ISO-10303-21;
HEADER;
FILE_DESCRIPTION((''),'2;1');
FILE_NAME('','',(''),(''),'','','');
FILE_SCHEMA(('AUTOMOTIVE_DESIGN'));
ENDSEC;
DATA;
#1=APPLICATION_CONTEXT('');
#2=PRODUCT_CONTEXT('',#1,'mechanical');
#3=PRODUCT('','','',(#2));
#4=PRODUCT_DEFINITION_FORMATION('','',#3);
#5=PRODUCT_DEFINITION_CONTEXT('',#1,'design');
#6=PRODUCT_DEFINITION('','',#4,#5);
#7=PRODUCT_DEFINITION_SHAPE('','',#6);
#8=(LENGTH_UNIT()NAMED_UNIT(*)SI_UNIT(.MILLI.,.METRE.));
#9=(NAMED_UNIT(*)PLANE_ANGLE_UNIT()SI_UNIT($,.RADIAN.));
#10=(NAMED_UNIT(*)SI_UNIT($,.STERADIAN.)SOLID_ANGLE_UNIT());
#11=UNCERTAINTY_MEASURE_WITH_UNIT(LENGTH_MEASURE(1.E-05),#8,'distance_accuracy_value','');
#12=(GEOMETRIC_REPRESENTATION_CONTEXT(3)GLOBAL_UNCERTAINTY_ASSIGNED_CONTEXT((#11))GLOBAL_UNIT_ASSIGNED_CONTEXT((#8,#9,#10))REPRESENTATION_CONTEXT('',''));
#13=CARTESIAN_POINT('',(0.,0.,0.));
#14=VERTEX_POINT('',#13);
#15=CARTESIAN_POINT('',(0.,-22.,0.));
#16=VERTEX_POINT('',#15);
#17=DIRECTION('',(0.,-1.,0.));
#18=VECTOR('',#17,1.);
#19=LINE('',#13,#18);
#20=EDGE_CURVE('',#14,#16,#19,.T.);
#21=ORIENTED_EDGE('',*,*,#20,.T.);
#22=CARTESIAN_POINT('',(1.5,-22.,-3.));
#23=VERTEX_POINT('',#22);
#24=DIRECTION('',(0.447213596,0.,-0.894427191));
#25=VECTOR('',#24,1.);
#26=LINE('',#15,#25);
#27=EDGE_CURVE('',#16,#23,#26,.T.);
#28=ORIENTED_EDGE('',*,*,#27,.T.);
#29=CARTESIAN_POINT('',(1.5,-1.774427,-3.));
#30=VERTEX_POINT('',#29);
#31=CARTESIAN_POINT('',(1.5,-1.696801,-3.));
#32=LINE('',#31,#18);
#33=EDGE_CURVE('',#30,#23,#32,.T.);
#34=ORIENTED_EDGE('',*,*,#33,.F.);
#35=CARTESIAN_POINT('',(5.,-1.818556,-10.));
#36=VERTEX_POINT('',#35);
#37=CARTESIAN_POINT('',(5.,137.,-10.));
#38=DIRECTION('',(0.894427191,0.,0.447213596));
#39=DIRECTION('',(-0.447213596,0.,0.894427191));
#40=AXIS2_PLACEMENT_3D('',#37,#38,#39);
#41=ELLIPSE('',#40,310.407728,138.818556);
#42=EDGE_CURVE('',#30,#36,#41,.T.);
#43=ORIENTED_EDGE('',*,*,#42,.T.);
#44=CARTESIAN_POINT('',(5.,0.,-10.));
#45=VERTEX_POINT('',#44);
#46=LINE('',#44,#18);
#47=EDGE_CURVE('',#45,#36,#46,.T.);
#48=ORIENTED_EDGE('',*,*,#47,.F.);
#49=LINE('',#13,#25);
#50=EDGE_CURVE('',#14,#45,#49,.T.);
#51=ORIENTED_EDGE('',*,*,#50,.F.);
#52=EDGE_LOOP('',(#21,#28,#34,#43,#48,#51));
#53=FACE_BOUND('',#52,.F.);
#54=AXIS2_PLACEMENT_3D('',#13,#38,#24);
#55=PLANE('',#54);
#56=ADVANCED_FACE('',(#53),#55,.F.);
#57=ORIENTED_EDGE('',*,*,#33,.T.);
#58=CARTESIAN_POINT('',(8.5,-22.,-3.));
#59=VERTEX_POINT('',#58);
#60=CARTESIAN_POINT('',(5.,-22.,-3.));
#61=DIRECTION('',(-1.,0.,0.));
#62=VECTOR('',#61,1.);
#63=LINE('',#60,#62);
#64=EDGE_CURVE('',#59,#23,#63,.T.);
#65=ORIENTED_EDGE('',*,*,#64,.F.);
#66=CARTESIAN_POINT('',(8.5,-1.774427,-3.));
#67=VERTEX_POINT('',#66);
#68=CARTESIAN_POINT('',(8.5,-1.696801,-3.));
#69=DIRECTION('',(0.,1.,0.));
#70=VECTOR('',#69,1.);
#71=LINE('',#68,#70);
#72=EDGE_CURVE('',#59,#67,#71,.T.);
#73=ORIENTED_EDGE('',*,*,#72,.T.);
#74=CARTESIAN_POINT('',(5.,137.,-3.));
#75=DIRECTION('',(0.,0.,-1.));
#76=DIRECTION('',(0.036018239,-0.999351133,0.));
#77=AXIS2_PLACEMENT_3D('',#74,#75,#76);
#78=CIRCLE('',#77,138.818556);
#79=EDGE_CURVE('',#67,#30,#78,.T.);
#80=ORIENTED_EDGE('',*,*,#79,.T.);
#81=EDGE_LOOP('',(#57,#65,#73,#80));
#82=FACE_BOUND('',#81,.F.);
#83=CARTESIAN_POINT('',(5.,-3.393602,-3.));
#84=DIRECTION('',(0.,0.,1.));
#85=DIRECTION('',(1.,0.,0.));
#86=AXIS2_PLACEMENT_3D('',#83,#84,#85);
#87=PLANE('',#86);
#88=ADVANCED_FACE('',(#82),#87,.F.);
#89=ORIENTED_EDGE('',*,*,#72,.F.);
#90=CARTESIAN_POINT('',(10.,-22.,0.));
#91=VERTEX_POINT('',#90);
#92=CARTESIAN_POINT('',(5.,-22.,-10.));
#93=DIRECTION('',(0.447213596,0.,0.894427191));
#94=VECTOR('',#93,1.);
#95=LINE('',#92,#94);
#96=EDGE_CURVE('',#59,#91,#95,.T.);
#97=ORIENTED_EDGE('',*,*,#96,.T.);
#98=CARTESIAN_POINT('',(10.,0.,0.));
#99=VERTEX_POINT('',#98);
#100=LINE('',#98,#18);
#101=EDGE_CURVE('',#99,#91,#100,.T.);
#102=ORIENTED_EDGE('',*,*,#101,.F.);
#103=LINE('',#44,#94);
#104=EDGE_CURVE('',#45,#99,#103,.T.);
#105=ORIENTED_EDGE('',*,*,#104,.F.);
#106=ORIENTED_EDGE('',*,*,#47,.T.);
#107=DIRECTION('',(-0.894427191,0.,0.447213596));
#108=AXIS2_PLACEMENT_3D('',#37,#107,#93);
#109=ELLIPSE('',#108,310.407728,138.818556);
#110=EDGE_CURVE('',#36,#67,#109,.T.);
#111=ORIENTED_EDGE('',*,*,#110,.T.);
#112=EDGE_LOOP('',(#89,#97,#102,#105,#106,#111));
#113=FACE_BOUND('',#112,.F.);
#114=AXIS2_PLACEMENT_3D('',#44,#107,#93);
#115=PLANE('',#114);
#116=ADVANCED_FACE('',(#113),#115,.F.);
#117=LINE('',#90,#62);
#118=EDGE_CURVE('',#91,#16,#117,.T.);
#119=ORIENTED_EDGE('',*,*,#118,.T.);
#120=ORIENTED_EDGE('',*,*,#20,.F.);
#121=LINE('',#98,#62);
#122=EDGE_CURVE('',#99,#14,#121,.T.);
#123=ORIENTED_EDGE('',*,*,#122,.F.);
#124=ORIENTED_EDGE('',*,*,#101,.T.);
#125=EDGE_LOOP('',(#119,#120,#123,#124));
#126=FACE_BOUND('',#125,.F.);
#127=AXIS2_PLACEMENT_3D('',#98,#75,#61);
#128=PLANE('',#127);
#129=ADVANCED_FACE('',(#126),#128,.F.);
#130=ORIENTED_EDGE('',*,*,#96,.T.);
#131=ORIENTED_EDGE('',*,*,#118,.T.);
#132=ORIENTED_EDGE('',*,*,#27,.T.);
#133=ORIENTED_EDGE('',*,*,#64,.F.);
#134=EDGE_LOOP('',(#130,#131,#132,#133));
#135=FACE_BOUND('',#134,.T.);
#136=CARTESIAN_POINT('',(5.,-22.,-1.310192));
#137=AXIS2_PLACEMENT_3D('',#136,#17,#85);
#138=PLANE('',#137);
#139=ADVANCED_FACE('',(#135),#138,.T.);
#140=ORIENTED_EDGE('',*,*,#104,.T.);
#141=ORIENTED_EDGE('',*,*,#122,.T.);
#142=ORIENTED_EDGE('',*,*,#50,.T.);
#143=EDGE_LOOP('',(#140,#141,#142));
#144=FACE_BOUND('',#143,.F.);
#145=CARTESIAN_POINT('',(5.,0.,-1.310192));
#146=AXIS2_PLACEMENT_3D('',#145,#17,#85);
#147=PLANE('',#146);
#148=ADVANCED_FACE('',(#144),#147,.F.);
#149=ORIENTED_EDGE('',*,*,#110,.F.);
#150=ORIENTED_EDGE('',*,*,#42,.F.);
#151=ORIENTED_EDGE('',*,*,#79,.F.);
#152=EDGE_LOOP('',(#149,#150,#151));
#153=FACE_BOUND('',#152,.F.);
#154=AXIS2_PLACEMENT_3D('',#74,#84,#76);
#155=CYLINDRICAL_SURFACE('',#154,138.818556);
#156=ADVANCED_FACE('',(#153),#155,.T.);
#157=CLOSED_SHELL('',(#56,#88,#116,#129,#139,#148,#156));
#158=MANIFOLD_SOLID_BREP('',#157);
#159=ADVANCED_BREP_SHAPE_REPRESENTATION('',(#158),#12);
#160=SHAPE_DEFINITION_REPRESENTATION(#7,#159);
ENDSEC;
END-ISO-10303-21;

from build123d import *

# Parameters (mm, degrees)
F2_DEPTH = 22
F3_START = -3
F3_DEPTH = 7


with BuildPart() as f2:
    # F0 (on Front) → F2 (new body)
    with BuildSketch(Plane.XZ):
        Polygon((5, 0), (0, 0), (1.5, -3), (8.5, -3), (10, 0), align=None)
        Polygon((8.5, -3), (1.5, -3), (5, -10), align=None)
    extrude(amount=F2_DEPTH)

    # F1 (on Top) → F3 (cut)
    with BuildSketch(Plane.XY.offset(F3_START)):
        with BuildLine():
            ThreePointArc((10, -1.7284815374), (5, -1.8185563593), (0, -1.7284815374))
            Line((0, -1.7284815374), (0, -4.9790858825))
            ThreePointArc((0, -4.9790858825), (5, -5.0670997382), (10, -4.9790858825))
            Line((10, -4.9790858825), (10, -1.7284815374))
        make_face()
        with BuildLine():
            ThreePointArc((10, -4.9790858825), (5, -5.0670997382), (0, -4.9790858825))
            Line((0, -4.9790858825), (0, -23))
            Line((0, -23), (10, -23))
            Line((10, -23), (10, -4.9790858825))
        make_face()
    extrude(amount=-F3_DEPTH, mode=Mode.SUBTRACT)


solid = f2.part
